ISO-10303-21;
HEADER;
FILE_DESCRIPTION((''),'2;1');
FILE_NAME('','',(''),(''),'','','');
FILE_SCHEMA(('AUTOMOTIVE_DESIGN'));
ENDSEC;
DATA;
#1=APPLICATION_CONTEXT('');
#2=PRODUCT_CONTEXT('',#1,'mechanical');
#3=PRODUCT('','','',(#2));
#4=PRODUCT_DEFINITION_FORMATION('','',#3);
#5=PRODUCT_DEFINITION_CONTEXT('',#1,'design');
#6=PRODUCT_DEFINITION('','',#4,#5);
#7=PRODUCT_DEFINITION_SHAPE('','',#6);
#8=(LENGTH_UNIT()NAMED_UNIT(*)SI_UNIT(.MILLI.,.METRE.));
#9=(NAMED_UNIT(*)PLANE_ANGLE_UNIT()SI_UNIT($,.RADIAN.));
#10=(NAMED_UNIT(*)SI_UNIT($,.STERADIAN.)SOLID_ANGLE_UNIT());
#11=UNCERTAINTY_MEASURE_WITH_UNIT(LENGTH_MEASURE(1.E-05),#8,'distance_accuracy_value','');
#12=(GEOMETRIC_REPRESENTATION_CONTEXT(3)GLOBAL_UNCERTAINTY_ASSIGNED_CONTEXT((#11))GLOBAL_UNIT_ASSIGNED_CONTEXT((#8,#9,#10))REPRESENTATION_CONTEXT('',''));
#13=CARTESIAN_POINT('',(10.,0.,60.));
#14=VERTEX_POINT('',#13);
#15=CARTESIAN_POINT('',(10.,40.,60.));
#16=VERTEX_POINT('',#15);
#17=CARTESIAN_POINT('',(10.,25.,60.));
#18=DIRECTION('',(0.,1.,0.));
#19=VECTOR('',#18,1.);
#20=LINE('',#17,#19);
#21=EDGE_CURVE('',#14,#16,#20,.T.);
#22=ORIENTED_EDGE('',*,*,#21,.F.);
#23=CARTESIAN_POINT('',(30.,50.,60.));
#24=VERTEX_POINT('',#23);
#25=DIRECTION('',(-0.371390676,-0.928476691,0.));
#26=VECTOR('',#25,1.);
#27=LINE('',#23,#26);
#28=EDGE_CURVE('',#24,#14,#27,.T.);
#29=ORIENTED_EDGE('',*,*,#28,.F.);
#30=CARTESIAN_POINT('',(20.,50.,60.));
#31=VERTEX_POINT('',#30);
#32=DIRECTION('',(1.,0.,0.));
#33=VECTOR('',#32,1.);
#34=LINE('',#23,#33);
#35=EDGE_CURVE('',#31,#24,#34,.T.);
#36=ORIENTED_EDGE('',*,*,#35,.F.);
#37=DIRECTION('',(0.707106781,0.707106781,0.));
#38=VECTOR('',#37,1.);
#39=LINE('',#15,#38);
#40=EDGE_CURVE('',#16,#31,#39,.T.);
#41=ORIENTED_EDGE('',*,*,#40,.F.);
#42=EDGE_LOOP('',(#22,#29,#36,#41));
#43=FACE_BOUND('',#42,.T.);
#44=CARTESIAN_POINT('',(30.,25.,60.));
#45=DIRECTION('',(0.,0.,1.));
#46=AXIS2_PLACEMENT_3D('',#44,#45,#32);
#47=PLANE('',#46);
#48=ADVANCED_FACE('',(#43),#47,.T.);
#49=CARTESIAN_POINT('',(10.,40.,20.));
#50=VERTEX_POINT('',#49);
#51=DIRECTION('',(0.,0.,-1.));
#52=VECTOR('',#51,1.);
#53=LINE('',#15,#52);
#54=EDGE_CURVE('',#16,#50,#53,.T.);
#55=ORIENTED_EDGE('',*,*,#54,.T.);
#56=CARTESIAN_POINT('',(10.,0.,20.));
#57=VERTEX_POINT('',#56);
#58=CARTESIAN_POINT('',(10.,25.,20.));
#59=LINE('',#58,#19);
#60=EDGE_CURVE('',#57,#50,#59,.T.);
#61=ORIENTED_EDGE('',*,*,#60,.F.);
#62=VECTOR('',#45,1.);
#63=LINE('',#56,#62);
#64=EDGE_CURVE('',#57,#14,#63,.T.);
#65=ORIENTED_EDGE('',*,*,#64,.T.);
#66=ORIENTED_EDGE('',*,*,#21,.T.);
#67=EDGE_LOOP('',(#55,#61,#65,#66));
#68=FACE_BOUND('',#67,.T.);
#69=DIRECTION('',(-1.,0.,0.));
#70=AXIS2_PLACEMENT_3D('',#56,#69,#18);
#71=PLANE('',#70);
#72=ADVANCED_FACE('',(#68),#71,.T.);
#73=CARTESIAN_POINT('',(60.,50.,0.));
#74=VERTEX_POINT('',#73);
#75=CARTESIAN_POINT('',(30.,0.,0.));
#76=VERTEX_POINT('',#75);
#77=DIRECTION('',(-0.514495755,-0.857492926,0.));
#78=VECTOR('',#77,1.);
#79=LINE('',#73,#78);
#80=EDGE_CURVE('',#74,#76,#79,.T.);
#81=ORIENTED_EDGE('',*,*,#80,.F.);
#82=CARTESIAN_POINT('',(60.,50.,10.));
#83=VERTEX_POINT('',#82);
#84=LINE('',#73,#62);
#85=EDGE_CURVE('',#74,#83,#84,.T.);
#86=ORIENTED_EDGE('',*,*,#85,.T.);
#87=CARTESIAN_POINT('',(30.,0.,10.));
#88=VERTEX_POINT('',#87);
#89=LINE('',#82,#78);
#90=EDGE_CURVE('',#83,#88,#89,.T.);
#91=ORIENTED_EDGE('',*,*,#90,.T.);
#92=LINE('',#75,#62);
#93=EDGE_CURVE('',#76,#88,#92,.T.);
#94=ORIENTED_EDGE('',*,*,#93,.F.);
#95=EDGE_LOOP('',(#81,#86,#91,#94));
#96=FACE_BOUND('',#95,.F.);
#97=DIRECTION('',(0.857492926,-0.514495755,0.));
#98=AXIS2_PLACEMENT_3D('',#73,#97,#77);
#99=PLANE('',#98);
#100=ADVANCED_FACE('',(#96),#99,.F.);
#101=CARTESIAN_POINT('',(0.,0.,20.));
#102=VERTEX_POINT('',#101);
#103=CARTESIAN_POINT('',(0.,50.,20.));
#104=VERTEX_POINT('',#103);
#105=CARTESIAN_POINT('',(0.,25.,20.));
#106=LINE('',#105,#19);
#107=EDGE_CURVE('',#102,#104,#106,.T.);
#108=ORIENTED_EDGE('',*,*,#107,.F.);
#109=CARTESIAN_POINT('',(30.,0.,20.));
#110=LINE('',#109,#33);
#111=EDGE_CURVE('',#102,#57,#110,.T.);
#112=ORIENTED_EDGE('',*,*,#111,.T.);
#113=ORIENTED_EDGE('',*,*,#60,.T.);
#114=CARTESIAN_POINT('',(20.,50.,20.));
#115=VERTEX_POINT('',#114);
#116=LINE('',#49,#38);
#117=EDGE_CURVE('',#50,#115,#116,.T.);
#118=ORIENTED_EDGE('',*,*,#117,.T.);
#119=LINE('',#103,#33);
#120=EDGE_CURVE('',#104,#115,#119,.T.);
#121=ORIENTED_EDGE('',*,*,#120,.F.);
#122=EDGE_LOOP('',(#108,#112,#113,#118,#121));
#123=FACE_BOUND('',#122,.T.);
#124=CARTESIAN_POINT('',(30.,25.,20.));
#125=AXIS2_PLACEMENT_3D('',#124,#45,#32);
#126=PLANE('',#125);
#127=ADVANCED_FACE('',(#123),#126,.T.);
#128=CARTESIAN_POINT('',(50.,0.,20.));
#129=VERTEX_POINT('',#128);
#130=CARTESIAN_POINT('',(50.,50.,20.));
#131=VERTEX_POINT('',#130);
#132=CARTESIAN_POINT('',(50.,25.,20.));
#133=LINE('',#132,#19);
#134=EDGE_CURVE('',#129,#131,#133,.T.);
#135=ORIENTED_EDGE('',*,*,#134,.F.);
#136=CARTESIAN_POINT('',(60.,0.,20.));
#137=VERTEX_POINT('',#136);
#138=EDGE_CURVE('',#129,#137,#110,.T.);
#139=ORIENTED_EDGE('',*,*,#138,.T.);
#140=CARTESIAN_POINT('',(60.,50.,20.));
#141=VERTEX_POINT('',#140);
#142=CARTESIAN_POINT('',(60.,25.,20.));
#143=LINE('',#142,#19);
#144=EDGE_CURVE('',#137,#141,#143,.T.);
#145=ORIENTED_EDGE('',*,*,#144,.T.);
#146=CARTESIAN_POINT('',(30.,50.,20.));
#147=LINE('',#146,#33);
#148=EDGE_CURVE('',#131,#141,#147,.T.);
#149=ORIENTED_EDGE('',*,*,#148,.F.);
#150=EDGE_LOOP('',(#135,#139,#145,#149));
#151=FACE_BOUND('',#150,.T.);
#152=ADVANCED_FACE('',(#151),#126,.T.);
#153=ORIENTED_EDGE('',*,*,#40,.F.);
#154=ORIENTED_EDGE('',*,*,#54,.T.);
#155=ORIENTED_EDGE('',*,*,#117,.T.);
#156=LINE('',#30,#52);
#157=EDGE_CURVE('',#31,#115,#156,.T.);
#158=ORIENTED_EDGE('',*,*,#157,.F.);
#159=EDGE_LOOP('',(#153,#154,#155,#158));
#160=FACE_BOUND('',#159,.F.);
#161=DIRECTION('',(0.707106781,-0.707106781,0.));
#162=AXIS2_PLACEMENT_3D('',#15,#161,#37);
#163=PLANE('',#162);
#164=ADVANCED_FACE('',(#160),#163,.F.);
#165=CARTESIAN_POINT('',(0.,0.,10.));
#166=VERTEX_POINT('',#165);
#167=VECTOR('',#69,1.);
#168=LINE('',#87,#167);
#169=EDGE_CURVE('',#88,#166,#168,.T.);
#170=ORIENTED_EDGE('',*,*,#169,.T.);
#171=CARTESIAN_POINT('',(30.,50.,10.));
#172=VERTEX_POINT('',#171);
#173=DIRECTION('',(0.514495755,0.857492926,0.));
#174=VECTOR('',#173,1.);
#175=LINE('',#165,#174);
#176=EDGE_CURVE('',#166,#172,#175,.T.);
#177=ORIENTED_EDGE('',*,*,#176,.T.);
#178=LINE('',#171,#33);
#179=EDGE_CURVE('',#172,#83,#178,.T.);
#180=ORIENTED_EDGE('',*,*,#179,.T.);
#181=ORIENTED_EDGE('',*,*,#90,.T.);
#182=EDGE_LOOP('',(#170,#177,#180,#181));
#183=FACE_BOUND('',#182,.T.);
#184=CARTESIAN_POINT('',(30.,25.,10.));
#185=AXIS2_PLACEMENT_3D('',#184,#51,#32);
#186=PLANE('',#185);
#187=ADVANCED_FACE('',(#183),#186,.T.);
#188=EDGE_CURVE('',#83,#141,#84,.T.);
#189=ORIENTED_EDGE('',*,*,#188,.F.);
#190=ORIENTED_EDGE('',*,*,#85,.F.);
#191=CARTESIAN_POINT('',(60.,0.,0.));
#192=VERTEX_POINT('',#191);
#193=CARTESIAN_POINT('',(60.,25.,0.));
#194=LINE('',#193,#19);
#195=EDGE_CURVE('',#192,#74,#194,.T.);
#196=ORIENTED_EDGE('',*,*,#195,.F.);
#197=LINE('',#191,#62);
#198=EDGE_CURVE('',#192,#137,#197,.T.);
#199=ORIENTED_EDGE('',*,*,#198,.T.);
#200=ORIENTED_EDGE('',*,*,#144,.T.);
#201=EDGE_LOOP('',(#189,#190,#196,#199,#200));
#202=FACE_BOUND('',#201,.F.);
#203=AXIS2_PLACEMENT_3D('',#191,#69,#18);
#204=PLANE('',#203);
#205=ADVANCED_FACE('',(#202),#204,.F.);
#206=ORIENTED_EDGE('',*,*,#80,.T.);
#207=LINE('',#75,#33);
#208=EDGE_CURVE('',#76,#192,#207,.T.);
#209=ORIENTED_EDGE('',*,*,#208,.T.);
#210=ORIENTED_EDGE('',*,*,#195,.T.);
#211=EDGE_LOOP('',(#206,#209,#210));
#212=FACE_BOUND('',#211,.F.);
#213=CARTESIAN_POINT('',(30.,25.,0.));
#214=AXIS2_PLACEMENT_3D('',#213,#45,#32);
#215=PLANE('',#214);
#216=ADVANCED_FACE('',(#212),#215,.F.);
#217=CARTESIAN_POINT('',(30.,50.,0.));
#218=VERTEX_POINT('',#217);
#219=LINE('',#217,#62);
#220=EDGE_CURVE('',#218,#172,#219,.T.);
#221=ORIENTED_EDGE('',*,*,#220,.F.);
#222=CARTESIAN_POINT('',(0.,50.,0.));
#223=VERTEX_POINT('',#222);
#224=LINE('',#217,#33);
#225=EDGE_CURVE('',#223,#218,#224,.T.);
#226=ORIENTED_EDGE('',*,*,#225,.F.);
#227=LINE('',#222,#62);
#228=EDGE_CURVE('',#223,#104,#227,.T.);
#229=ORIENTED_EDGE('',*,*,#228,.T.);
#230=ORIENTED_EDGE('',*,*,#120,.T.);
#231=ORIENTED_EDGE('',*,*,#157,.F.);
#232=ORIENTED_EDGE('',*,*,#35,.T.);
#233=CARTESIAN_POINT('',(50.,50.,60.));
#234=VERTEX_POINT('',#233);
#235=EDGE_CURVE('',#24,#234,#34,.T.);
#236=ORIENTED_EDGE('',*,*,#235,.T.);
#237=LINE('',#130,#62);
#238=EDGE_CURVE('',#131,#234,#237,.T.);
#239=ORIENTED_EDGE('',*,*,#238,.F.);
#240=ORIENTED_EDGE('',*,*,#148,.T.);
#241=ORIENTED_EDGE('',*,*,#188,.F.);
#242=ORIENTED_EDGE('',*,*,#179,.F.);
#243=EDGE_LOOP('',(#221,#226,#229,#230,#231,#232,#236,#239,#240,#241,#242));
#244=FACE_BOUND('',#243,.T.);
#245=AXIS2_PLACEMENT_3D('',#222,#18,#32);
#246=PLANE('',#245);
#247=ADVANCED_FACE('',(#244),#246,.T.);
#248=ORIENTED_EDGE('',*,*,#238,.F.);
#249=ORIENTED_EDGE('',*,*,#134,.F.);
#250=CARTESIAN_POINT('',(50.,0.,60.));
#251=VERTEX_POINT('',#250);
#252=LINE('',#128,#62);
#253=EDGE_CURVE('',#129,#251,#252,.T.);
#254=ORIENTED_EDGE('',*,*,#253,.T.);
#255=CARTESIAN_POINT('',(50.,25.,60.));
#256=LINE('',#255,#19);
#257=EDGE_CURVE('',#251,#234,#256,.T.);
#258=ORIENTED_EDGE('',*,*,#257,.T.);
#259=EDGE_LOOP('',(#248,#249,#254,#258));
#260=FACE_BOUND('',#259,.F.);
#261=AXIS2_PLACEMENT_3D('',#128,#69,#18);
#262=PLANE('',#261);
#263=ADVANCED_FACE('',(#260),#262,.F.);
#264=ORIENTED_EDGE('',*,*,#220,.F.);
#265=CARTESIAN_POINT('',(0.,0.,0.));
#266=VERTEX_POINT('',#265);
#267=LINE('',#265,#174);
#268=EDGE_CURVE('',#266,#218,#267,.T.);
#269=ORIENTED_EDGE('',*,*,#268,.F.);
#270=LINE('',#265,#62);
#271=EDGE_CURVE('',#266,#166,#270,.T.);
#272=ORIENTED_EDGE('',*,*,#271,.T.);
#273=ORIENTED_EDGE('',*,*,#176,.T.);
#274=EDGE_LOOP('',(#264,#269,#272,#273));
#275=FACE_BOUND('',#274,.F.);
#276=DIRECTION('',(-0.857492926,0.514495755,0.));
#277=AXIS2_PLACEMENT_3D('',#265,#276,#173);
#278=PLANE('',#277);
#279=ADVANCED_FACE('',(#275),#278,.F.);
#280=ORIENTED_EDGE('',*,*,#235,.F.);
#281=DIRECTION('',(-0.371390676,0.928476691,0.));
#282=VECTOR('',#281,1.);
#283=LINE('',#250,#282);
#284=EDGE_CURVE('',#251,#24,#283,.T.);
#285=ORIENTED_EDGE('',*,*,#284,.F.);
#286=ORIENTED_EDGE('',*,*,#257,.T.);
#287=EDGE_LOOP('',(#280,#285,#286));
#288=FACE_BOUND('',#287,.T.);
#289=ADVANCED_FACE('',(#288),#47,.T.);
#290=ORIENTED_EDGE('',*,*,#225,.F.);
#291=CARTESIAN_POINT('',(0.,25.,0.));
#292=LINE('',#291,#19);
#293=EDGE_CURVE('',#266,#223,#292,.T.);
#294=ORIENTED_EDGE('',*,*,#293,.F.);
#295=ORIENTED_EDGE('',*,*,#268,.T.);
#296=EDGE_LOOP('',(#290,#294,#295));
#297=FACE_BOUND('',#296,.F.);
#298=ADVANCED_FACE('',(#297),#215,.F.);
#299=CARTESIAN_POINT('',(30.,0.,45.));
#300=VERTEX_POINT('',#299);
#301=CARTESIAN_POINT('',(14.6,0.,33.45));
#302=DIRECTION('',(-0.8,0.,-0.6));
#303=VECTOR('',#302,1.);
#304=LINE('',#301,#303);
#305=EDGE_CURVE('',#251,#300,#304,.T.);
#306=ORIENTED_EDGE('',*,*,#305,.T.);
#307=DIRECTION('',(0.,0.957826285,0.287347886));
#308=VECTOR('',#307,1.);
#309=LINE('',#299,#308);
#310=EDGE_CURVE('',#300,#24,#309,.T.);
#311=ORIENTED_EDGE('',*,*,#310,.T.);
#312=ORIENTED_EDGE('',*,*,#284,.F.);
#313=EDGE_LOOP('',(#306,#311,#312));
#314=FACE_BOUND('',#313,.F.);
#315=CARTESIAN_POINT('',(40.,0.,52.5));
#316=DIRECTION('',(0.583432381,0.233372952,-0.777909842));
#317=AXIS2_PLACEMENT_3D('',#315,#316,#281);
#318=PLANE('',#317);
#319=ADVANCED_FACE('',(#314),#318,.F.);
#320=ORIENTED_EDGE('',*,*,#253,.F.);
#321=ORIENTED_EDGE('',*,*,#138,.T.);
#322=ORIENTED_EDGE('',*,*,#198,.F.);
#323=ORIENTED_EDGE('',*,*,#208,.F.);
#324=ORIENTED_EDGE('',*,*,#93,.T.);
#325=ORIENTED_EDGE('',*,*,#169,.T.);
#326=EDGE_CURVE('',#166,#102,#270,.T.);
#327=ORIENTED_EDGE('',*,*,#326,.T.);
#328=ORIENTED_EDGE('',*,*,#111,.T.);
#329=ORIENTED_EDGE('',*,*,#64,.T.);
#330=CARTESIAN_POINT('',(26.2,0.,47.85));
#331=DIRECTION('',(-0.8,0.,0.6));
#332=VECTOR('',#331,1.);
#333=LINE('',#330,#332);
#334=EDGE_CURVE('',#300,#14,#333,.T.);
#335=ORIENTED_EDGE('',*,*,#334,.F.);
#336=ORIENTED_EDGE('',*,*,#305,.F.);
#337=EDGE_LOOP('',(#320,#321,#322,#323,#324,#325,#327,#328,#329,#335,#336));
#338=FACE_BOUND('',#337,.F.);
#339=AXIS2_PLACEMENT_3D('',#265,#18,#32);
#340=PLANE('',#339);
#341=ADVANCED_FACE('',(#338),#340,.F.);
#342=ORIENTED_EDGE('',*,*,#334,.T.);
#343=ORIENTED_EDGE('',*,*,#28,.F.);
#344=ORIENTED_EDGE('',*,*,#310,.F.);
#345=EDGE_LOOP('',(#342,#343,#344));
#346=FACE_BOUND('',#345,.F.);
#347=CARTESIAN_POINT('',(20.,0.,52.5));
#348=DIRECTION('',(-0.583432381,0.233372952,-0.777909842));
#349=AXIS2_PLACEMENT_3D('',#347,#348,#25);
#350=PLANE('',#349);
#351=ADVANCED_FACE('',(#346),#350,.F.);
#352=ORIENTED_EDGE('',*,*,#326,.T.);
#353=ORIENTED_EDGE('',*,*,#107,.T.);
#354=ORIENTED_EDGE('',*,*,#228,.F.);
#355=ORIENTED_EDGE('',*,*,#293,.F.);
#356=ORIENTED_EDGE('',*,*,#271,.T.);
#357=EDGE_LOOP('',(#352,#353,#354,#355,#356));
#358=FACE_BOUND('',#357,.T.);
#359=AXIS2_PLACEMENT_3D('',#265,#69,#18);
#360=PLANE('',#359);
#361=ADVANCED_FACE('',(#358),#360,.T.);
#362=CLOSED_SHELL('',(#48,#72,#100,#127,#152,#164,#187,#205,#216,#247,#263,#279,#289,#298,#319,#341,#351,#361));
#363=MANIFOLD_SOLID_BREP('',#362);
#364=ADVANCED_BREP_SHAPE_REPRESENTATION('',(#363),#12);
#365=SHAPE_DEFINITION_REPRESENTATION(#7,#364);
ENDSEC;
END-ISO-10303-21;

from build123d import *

# Parameters (mm, degrees)
F0_W     = 60
F0_H     = 50
F1_DEPTH = 20
F2_W     = 40
F2_H     = 50
F3_DEPTH = 40
F5_DEPTH = 10
F7_DEPTH = 40


with BuildPart() as f1:
    # F0 (on Top) → F1 (new body)
    with BuildSketch(Plane.XY):
        with Locations((30, 25)):
            Rectangle(F0_W, F0_H)
    extrude(amount=F1_DEPTH)

    # F2 (on face) → F3 (join)
    with BuildSketch(Plane.XY.offset(20)):
        with Locations((30, 25)):
            Rectangle(F2_W, F2_H)
    extrude(amount=F3_DEPTH)

    # F4 (on face) → F5 (cut)
    with BuildSketch(Plane(origin=(0, 0, 0), x_dir=(1, 0, 0), z_dir=(0, 0, -1))):
        Polygon((30, 0), (0, 0), (30, -50), (60, -50), align=None)
    extrude(amount=-F5_DEPTH, mode=Mode.SUBTRACT)

    # F6 (on face) → F7 (cut)
    with BuildSketch(Plane.XY.offset(60)):
        Polygon((20, 50), (10, 50), (10, 40), align=None)
    extrude(amount=-F7_DEPTH, mode=Mode.SUBTRACT)

    # F12: sweep along a path in F11
    with BuildLine(Plane(origin=(30, 0, 0), x_dir=(0, -1, 0), z_dir=(-1, 0, 0))) as f12_path:
        Line((0, 45), (-50, 60))
    # F8 (on face) → F12 (sweep, cut)
    with BuildSketch(Plane.XY.offset(60)):
        Polygon((30, 50), (10, 0), (30, 0), align=None)
        Polygon((30, 50), (30, 0), (50, 0), align=None)
    sweep(path=f12_path.line, mode=Mode.SUBTRACT)


solid = f1.part
